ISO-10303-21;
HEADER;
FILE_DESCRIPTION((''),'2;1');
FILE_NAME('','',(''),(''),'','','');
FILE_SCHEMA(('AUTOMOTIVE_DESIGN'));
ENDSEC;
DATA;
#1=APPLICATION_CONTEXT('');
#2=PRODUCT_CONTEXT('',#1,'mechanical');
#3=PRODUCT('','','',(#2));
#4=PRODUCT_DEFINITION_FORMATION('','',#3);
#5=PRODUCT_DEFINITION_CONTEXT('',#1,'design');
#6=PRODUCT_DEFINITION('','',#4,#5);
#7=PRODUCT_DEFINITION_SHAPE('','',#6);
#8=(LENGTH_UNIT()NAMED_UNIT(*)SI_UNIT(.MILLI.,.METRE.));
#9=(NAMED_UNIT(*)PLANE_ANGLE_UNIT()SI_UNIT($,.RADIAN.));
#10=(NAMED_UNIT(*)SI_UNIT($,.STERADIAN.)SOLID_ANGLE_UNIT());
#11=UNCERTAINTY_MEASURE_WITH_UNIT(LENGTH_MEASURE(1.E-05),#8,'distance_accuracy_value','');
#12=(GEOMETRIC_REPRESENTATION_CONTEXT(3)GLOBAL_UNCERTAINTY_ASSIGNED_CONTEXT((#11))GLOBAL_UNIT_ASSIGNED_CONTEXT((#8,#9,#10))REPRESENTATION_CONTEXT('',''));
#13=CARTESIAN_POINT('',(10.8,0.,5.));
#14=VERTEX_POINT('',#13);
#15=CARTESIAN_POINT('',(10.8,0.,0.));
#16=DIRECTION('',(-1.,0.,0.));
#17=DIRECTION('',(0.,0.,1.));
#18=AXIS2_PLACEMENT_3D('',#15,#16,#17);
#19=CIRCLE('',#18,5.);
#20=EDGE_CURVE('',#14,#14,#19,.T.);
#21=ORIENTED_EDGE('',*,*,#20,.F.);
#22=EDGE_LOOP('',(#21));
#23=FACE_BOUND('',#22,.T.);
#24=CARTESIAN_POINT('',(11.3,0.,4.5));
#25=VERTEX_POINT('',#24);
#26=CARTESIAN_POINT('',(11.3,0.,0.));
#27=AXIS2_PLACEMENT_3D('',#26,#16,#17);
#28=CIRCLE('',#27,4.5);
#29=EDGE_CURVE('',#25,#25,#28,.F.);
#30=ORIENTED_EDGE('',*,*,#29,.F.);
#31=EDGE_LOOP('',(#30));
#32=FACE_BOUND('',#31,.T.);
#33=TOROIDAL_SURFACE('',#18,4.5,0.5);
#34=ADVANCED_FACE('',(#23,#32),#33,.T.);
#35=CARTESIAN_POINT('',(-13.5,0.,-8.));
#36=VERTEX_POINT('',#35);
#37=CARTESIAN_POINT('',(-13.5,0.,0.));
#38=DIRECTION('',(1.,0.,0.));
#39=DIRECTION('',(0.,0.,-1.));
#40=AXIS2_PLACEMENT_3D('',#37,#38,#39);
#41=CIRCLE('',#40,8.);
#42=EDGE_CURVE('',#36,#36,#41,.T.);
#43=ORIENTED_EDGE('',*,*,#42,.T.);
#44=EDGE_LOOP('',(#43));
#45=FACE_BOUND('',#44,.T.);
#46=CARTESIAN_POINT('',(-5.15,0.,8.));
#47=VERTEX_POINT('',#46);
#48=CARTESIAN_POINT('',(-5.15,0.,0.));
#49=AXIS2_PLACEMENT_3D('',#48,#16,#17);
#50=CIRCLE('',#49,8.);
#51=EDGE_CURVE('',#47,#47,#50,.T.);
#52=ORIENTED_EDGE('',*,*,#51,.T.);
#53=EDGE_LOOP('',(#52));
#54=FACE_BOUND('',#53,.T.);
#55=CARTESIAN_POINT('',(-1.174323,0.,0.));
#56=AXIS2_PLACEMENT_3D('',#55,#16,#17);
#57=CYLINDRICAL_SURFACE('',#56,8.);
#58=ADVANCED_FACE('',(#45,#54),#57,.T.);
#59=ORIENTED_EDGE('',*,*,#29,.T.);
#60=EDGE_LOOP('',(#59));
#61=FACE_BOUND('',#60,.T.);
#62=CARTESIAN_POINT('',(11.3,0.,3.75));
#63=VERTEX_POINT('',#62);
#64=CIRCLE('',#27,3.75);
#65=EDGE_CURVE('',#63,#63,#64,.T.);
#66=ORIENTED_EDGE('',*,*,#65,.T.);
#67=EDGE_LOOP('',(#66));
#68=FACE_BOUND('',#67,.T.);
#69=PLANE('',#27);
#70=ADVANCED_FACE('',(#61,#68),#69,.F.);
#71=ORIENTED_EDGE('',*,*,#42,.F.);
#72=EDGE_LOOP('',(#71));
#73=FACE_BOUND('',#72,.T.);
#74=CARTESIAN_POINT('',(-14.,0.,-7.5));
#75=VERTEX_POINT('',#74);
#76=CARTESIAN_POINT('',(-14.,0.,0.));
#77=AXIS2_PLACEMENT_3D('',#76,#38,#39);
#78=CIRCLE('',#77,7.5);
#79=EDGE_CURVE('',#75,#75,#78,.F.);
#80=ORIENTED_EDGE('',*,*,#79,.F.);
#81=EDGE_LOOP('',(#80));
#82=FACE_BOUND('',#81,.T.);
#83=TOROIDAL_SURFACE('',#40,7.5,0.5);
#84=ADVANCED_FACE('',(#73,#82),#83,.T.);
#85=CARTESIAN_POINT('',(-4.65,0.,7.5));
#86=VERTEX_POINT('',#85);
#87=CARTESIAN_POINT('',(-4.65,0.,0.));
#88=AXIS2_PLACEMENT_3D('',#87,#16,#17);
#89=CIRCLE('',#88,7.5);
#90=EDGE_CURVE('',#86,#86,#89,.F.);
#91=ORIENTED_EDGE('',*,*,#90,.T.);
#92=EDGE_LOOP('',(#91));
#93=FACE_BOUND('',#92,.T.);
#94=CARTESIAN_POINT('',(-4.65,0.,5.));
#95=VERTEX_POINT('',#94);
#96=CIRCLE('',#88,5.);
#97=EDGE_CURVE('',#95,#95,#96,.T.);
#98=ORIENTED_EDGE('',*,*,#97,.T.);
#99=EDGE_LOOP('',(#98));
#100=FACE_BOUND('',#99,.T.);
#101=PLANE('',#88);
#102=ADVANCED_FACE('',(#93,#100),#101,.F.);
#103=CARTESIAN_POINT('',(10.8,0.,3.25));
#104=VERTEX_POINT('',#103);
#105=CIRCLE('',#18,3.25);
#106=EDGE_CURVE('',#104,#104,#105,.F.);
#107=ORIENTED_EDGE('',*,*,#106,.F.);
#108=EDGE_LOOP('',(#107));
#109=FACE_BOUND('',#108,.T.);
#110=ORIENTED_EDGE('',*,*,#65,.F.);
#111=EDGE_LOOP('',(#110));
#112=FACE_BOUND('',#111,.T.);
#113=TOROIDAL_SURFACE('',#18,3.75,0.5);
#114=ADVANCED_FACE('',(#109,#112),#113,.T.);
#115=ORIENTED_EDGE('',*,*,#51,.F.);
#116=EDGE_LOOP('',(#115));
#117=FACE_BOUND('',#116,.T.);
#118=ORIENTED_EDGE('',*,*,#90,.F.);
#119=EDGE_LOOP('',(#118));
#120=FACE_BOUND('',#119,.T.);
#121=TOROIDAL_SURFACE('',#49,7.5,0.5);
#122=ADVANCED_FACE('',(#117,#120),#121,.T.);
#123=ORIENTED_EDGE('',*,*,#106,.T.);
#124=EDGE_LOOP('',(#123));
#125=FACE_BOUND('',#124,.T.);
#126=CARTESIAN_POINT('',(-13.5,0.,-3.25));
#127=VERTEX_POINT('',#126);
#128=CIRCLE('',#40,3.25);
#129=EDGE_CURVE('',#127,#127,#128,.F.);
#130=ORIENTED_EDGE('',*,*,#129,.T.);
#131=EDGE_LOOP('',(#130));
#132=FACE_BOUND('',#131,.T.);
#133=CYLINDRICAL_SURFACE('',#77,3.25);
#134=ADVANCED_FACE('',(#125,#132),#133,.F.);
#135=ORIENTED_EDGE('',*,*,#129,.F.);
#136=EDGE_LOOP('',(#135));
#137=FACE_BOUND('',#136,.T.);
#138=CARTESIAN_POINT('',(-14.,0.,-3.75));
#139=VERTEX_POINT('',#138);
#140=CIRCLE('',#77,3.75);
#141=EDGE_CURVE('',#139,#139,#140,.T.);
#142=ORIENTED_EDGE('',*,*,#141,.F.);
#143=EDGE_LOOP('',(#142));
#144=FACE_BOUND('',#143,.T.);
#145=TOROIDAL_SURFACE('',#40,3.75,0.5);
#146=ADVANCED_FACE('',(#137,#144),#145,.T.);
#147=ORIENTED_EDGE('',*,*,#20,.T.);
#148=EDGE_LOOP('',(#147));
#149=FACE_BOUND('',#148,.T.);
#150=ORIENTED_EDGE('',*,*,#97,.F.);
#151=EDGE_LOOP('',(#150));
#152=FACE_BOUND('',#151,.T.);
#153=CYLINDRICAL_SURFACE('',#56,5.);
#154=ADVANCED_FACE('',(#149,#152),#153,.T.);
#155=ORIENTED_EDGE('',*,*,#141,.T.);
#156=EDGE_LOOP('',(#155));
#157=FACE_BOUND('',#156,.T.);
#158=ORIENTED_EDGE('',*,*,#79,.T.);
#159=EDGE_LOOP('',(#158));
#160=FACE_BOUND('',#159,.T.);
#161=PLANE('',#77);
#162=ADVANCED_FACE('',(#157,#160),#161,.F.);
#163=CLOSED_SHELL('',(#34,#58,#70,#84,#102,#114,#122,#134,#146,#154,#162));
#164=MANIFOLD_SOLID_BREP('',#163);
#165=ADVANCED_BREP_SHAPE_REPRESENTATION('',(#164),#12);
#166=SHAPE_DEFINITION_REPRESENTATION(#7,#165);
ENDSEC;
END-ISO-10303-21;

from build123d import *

# Parameters (mm, degrees)
CUT_EXTRUDE1_DEPTH      = 19
CUT_EXTRUDE1_DEPTH_BACK = 19
SKETCH2_R               = 3.25
FILLET1_R               = 0.5


with BuildPart() as part:
    # Sketch1 → Revolve1 (revolve)
    with BuildSketch(Plane.XY, mode=Mode.PRIVATE) as revolve1_sk:
        Polygon((-14, 0), (11.3, 0), (11.3, 5), (-4.65, 5), (-4.65, 8), (-14, 8), align=None)
    revolve(revolve1_sk.sketch.rotate(Axis((-1.174323487, 0, 0), (1, 0, 0)), 90), axis=Axis((-1.174323487, 0, 0), (1, 0, 0)))

    # Sketch2 → Cut-Extrude1 (cut, two sides: drawn at the far end of the back side and taken through both)
    with BuildSketch(Plane(origin=(0, 0, 0), x_dir=(0, 0, -1), z_dir=(1, 0, 0)).offset(-CUT_EXTRUDE1_DEPTH_BACK)):
        Circle(SKETCH2_R)
    extrude(amount=CUT_EXTRUDE1_DEPTH + CUT_EXTRUDE1_DEPTH_BACK, mode=Mode.SUBTRACT)

    # Fillet1
    fillet1_edges = [part.edges().sort_by_distance(p)[0] for p in [
        (-14, 0, 3.25),
        (11.3, 0, 3.25),
        (-14, 0, -8),
        (-4.65, 0, -8),
        (11.3, 0, -5),
    ]]
    fillet(fillet1_edges, radius=FILLET1_R)


solid = part.part
